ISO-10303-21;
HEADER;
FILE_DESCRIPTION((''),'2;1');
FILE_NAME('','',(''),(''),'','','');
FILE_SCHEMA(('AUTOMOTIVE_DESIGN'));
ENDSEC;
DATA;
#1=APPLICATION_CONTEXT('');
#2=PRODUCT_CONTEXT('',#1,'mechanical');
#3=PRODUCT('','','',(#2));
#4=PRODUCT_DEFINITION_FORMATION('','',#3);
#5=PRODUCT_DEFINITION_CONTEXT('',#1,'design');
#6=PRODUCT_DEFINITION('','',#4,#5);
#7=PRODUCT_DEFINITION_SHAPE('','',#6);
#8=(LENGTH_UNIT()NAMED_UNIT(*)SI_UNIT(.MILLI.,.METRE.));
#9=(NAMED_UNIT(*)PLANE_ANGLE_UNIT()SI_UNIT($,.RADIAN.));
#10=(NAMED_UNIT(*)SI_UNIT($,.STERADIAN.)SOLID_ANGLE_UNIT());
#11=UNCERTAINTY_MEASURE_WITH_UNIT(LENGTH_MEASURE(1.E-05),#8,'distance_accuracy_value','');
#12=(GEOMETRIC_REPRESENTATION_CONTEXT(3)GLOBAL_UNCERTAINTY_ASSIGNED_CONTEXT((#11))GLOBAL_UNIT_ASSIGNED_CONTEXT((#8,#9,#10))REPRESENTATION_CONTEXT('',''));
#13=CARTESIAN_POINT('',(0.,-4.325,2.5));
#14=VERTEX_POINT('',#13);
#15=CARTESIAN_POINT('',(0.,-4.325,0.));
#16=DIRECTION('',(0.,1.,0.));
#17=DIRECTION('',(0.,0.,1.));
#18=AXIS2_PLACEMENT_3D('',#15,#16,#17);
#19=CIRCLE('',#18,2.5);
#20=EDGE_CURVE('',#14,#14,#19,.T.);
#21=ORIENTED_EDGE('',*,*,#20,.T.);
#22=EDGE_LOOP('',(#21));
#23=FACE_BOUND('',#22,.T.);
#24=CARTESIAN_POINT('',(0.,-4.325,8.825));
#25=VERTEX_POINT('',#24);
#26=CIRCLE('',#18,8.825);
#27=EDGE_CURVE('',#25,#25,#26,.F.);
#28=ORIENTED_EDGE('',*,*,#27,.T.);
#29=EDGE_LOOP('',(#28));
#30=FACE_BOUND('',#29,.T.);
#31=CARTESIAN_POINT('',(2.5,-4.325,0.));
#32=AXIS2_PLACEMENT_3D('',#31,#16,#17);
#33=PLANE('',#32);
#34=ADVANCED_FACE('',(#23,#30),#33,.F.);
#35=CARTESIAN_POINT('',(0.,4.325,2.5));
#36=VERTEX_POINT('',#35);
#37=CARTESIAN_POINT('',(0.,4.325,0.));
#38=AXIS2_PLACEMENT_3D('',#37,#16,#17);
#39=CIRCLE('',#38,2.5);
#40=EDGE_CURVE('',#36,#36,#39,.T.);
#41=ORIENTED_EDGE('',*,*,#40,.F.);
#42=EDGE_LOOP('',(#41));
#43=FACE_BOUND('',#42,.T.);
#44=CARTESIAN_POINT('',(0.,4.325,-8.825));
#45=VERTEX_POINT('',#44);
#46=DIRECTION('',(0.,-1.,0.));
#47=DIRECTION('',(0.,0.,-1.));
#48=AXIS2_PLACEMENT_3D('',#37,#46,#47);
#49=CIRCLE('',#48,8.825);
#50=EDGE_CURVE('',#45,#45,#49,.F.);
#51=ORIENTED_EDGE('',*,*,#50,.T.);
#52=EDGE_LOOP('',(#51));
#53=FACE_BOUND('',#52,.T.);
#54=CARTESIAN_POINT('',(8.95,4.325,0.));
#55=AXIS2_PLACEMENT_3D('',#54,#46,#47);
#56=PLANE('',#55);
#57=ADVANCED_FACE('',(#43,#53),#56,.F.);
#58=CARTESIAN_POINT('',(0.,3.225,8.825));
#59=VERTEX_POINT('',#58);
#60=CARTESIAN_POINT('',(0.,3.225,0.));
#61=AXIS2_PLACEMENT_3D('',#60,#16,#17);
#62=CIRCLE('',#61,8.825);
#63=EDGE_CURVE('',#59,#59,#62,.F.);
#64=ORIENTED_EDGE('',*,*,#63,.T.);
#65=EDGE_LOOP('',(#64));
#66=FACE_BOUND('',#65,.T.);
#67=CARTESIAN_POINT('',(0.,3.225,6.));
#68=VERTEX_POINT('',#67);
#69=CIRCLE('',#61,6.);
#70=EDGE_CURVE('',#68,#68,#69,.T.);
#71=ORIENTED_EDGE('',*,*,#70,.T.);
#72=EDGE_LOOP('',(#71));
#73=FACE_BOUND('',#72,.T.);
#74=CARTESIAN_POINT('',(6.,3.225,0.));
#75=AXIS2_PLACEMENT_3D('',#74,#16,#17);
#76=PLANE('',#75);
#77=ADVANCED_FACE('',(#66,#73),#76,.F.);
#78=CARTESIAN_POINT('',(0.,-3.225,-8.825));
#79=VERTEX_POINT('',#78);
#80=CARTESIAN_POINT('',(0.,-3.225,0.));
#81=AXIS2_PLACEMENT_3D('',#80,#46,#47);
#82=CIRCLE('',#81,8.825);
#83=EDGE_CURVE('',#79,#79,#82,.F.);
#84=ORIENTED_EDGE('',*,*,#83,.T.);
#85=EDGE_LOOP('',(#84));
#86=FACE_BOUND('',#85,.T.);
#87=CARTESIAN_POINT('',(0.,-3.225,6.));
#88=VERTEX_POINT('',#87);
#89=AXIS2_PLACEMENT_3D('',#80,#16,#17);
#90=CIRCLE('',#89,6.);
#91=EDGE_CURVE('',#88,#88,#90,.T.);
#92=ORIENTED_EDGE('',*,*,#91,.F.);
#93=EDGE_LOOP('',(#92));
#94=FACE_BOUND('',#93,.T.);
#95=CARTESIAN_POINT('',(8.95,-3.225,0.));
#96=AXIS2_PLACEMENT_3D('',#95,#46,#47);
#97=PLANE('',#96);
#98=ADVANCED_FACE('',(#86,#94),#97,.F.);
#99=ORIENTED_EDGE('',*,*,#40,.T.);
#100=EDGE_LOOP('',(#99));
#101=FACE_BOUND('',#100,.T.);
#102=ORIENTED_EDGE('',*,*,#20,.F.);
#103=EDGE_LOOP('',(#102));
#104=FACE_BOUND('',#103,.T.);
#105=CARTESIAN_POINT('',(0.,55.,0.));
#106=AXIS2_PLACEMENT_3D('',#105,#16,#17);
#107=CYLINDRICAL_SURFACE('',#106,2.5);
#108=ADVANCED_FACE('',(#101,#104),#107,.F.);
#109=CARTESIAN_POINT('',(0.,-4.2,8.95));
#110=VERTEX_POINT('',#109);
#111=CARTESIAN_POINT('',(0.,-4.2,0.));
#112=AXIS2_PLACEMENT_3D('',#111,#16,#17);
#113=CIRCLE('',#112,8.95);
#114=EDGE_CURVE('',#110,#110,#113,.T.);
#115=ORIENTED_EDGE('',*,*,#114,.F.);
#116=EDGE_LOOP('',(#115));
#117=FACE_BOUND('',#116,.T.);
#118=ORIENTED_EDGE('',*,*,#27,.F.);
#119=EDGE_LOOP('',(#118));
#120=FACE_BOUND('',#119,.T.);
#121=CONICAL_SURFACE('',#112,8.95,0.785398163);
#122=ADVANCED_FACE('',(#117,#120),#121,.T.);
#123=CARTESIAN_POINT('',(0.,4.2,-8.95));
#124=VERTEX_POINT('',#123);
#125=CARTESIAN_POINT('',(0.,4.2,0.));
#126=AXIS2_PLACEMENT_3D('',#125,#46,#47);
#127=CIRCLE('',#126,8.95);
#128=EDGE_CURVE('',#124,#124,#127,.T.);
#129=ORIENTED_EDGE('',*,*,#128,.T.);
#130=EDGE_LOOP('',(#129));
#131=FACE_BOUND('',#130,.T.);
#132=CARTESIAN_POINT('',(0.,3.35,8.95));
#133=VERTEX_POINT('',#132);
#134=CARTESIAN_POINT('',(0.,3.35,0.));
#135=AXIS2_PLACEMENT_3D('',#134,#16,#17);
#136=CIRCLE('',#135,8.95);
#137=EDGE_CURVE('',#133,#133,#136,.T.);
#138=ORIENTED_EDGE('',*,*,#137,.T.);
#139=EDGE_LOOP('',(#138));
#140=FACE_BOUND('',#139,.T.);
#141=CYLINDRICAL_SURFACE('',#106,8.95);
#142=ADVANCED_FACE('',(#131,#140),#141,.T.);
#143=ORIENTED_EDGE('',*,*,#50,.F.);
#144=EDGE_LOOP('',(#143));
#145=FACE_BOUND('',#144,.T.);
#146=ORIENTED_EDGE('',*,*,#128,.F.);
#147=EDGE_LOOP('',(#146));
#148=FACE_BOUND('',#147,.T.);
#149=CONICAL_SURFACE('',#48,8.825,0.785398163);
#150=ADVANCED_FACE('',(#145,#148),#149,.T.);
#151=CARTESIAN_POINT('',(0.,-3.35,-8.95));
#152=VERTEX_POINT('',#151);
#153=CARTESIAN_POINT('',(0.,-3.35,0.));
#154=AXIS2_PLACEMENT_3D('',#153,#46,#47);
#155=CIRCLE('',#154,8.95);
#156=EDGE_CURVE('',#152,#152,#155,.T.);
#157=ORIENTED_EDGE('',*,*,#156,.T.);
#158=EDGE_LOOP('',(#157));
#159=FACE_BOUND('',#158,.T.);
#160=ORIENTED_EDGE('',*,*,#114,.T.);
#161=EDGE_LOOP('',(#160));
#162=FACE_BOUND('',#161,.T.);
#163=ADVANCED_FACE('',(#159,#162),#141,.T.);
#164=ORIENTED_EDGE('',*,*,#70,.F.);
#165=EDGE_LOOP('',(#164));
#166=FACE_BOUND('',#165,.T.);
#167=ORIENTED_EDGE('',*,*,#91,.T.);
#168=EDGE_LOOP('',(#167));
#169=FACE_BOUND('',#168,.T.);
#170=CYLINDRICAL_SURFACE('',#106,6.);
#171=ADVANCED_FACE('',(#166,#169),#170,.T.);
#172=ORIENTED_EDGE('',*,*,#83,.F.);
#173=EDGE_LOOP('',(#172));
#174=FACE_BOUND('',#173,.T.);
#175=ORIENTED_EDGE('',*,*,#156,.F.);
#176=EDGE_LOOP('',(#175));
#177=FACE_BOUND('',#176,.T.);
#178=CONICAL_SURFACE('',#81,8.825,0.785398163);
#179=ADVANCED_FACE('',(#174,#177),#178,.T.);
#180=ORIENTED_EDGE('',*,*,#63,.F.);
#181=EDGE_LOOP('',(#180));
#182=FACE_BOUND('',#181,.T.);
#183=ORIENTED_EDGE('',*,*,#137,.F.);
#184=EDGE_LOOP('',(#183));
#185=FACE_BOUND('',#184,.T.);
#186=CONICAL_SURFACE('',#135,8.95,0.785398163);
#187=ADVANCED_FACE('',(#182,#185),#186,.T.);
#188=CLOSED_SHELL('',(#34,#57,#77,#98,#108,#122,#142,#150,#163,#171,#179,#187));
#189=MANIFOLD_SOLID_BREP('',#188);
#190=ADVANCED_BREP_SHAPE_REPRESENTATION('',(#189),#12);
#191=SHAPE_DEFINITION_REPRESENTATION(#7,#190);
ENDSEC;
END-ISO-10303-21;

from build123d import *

# Parameters (mm, degrees)
CHAMFER1_SIZE = 0.125


with BuildPart() as part:
    # Sketch1 → Revolve1 (revolve)
    with BuildSketch(Plane.XY, mode=Mode.PRIVATE) as revolve1_sk:
        Polygon((2.5, 4.325), (2.5, -4.325), (8.95, -4.325), (8.95, -3.225), (6, -3.225), (6, 3.225), (8.95, 3.225), (8.95, 4.325), align=None)
    revolve(revolve1_sk.sketch.rotate(Axis((0, 55, 0), (0, -1, 0)), 90), axis=Axis((0, 55, 0), (0, -1, 0)))

    # Chamfer1
    chamfer1_edges = [part.edges().sort_by_distance(p)[0] for p in [
        (0, 4.325, -8.95),
        (0, 3.225, -8.95),
        (0, -3.225, -8.95),
        (0, -4.325, -8.95),
    ]]
    chamfer(chamfer1_edges, length=CHAMFER1_SIZE)


solid = part.part
